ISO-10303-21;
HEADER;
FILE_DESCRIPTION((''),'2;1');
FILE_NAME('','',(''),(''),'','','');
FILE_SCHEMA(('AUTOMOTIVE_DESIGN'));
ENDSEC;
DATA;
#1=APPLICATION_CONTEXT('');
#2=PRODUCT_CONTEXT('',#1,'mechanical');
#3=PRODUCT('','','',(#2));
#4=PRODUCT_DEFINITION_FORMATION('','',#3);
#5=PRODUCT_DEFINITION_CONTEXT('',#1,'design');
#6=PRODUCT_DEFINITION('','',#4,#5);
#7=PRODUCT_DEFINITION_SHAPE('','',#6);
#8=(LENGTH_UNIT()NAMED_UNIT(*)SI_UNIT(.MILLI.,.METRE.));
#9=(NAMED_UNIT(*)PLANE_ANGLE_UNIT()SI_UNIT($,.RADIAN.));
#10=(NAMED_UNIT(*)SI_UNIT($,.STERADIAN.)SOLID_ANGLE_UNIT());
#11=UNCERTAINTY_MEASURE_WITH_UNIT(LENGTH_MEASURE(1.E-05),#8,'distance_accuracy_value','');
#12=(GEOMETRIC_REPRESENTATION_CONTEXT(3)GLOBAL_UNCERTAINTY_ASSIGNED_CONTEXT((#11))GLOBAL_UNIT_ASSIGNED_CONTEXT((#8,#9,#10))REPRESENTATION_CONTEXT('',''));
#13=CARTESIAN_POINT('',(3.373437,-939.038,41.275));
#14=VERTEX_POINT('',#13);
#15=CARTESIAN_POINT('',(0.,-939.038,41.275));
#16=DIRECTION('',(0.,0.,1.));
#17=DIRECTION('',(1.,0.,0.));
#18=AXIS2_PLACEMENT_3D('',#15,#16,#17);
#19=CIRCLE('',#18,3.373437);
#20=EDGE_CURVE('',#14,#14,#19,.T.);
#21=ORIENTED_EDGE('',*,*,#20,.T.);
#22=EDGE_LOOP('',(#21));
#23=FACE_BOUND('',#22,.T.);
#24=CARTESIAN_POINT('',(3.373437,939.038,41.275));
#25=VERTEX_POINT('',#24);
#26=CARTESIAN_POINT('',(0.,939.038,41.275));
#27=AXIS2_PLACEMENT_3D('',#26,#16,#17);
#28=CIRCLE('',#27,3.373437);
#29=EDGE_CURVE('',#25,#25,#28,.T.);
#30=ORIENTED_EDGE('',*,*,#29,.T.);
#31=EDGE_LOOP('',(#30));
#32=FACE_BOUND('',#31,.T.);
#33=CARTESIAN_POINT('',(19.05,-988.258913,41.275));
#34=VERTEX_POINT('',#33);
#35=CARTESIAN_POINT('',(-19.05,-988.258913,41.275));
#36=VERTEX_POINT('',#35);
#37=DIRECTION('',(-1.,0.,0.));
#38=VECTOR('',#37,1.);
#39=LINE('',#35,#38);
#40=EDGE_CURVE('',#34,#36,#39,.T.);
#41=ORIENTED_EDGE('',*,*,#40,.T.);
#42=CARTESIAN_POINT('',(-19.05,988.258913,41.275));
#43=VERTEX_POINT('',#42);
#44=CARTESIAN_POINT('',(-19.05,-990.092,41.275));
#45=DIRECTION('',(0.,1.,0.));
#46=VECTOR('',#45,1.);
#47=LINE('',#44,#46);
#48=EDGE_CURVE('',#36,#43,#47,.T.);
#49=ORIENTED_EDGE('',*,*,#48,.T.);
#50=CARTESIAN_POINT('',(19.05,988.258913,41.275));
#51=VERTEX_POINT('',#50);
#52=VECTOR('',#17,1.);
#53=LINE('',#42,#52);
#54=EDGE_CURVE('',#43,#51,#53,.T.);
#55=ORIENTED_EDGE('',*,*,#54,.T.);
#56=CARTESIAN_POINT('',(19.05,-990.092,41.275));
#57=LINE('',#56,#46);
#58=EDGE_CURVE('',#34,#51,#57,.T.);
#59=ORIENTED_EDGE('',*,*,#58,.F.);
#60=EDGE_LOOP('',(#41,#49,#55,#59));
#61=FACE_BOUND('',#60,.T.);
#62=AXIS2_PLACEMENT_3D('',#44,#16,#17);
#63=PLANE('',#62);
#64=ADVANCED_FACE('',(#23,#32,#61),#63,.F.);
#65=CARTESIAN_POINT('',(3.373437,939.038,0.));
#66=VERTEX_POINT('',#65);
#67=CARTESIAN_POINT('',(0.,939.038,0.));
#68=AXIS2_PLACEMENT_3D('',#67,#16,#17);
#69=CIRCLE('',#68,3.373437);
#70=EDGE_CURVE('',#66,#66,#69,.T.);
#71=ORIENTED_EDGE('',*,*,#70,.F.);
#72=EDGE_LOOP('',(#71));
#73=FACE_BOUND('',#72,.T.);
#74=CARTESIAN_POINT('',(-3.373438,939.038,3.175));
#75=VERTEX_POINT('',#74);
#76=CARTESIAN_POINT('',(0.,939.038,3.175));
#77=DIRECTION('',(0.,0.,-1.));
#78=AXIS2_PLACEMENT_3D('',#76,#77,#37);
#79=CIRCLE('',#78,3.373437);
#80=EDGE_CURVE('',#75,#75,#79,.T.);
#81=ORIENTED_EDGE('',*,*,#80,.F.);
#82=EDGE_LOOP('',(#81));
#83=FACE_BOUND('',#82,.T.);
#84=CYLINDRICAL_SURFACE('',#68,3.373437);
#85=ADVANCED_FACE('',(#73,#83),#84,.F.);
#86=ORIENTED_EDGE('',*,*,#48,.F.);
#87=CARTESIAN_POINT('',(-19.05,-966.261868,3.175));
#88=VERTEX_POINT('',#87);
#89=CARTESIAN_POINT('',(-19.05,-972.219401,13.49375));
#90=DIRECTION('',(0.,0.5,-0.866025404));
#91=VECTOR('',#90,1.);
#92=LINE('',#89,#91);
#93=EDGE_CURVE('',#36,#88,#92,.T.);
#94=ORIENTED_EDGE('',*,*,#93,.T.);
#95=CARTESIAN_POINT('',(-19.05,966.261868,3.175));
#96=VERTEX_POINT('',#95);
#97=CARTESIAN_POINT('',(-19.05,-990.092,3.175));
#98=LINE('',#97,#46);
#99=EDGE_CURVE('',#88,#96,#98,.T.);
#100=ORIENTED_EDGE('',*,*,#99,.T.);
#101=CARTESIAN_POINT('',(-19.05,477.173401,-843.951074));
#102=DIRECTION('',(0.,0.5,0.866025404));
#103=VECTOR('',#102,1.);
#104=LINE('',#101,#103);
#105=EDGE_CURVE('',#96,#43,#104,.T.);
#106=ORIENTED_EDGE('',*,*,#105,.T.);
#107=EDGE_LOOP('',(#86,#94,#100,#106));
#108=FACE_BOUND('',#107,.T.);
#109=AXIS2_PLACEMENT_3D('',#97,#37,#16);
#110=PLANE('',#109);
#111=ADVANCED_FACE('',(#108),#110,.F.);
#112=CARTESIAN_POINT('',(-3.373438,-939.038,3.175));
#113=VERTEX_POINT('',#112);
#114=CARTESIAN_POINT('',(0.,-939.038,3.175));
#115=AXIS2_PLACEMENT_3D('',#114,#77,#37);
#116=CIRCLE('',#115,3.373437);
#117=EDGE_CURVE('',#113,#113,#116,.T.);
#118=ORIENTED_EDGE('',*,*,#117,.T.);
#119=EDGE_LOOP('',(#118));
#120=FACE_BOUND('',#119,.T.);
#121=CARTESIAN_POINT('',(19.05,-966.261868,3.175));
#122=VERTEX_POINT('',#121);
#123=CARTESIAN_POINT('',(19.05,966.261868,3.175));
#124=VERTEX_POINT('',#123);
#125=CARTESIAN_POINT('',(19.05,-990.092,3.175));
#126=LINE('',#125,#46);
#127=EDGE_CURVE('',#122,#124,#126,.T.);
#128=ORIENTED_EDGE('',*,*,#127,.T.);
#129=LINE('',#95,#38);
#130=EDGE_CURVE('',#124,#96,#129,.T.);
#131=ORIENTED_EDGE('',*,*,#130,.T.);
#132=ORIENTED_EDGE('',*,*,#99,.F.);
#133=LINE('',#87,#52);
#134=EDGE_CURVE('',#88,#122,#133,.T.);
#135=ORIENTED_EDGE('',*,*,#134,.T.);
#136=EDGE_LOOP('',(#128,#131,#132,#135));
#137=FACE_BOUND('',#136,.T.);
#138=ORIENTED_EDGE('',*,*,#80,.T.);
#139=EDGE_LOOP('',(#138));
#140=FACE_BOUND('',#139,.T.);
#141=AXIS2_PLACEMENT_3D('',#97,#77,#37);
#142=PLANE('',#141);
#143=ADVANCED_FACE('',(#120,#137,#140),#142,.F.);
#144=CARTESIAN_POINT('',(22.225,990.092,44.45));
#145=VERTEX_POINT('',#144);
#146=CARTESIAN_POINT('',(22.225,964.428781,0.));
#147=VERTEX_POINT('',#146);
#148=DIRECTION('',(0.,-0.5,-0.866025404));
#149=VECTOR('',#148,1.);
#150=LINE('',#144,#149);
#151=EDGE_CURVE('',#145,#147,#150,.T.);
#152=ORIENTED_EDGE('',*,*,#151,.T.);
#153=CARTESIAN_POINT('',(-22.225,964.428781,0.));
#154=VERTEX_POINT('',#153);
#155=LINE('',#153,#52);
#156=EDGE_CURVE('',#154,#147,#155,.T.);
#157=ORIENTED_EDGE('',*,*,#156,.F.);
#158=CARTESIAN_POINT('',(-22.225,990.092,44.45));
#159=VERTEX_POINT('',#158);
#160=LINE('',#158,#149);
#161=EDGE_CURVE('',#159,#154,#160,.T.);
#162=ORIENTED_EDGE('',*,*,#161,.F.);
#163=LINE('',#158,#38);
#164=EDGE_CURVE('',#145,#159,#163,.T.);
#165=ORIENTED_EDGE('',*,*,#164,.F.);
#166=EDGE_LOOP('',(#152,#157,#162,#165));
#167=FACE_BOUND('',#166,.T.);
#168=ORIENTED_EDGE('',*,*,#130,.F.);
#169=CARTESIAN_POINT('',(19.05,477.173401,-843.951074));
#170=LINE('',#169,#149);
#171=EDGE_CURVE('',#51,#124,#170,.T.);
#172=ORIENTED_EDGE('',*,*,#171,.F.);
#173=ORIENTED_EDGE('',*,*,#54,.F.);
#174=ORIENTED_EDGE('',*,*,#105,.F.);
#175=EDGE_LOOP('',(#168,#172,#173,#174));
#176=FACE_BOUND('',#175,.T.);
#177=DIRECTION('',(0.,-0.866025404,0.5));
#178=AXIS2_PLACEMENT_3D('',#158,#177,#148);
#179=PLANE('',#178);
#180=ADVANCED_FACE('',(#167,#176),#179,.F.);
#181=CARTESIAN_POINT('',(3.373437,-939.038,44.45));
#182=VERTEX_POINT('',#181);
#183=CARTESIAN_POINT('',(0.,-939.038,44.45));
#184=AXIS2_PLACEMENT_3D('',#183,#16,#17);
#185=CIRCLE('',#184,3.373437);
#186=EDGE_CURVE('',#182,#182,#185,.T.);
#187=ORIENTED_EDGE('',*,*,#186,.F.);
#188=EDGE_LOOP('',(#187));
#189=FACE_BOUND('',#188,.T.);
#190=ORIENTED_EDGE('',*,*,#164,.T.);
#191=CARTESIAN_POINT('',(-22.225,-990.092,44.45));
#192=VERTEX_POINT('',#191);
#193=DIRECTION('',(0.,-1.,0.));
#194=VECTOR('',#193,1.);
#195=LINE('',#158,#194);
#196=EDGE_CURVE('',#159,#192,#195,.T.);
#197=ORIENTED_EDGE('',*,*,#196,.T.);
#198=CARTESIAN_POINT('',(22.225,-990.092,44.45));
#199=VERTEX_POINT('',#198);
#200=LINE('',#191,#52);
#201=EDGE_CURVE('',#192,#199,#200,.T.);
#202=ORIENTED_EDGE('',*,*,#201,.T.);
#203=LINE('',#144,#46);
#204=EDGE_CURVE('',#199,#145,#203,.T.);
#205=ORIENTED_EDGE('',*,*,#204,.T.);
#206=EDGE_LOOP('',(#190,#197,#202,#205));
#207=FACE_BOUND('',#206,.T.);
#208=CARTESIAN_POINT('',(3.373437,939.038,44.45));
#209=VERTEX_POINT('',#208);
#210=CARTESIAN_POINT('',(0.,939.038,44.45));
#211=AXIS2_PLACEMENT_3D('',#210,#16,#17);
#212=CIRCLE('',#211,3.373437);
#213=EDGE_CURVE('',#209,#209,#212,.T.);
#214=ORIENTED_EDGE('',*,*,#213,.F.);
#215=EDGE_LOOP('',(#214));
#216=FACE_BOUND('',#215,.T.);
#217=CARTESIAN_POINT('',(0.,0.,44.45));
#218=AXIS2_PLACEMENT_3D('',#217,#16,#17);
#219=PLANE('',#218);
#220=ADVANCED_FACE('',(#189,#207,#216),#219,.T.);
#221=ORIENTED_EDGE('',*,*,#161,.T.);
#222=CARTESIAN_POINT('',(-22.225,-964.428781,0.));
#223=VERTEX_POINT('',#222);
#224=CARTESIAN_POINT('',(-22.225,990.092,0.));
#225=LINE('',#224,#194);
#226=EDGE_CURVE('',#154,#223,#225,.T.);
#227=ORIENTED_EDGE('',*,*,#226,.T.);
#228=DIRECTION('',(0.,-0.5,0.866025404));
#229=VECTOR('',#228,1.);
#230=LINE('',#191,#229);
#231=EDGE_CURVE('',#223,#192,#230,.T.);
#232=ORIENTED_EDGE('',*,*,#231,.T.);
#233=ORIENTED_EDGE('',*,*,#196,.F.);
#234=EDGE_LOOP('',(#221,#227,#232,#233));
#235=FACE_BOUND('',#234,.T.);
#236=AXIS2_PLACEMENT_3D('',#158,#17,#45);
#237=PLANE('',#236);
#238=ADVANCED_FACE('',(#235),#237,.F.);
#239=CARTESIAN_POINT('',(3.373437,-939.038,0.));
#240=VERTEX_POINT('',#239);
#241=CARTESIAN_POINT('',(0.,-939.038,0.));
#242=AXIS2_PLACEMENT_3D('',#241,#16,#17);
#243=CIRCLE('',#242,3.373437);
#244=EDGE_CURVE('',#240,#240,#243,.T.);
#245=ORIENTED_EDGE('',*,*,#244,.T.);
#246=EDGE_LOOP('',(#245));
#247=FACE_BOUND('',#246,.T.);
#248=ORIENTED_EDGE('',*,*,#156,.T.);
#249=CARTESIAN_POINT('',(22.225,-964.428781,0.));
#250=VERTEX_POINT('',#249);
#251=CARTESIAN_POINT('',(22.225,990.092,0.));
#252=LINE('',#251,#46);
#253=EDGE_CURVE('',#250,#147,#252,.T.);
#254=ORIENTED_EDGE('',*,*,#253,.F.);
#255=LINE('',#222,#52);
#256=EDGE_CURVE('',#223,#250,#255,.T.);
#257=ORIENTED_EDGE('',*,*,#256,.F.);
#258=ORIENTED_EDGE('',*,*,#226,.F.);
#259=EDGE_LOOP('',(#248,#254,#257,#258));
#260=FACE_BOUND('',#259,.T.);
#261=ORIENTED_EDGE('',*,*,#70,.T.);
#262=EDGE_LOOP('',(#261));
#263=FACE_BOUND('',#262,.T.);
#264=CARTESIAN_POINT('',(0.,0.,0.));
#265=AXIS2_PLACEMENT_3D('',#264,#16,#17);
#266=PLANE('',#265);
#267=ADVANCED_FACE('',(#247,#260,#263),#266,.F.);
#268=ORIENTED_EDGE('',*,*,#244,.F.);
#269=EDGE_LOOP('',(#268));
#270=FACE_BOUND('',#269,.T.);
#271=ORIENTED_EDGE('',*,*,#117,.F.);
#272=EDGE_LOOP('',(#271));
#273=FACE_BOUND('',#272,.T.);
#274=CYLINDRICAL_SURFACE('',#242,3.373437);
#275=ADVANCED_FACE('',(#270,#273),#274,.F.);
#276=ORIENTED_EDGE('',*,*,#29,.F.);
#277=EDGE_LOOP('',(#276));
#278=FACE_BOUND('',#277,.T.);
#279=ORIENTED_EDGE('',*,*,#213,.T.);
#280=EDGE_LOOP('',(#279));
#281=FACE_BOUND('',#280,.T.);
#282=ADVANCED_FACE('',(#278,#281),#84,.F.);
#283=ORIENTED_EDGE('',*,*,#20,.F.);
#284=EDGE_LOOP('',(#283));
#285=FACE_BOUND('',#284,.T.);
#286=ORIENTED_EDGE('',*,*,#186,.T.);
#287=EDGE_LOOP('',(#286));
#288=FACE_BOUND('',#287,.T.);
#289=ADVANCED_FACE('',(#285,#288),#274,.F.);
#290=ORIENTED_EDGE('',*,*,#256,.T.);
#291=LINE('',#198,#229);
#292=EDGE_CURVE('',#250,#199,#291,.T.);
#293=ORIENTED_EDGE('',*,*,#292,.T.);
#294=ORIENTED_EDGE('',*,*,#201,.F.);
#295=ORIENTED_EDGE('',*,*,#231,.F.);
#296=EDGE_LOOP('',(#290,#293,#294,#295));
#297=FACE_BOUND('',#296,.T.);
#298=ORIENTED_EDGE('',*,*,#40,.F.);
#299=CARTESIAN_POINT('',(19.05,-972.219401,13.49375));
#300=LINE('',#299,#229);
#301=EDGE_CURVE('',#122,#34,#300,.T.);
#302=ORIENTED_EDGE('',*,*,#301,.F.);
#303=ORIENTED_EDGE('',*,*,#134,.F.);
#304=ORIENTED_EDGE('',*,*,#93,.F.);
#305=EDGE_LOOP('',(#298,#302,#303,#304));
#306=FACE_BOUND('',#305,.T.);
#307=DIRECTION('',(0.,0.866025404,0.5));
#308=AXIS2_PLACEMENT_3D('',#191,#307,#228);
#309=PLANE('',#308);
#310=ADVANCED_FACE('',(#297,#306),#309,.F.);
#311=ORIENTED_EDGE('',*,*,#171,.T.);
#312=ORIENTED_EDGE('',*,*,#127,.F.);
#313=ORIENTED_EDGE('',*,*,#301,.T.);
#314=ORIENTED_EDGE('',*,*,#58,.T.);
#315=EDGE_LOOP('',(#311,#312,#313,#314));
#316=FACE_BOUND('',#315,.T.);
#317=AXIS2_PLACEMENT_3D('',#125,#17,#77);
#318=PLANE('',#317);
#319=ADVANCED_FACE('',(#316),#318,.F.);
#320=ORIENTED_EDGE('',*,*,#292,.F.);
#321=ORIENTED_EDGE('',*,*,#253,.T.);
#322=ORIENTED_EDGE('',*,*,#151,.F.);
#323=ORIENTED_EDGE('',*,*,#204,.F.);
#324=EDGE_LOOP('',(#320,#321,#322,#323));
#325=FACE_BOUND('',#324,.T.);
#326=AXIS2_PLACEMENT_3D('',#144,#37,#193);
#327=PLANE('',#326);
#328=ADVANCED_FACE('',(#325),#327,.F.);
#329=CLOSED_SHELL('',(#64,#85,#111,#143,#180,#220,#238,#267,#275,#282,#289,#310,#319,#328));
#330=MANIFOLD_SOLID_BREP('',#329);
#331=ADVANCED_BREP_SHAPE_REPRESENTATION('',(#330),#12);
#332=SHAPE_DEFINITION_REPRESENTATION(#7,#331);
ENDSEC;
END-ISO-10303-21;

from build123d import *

# Parameters (mm, degrees)
SKETCH1_W           = 44.45
SKETCH1_H           = 1980.184
BOSS_EXTRUDE1_DEPTH = 44.45
SKETCH2_W           = 38.1
SKETCH2_H           = 38.1
CUT_EXTRUDE1_DEPTH  = 1981.807518913
CUT_EXTRUDE2_DEPTH  = 993.085567612
SKETCH13_R          = 3.3734375
CUT_EXTRUDE7_DEPTH  = 992.338449567


with BuildPart() as part:
    # Sketch1 → Boss-Extrude1 (new body)
    with BuildSketch(Plane.XY):
        Rectangle(SKETCH1_W, SKETCH1_H)
    extrude(amount=BOSS_EXTRUDE1_DEPTH)

    # Sketch2 → Cut-Extrude1 (cut, through all)
    with BuildSketch(Plane(origin=(0, 990.092, 0), x_dir=(1, 0, 0), z_dir=(0, 1, 0))):
        with Locations((0, -22.225)):
            Rectangle(SKETCH2_W, SKETCH2_H)
    extrude(amount=-CUT_EXTRUDE1_DEPTH, mode=Mode.SUBTRACT)

    # Sketch3 → Cut-Extrude2 (cut, through all)
    with BuildSketch(Plane(origin=(22.225, 0, 0), x_dir=(0, 0, -1), z_dir=(1, 0, 0))):
        Polygon((-44.45, 990.092), (0, 964.428780535), (0, 990.092), align=None)
        Polygon((-44.45, -990.092), (0, -964.428780535), (0, -990.092), align=None)
    extrude(amount=-CUT_EXTRUDE2_DEPTH, mode=Mode.SUBTRACT)

    # Sketch13 → Cut-Extrude7 (cut, through all)
    with BuildSketch(Plane.XY.offset(44.45)):
        with Locations((0, 939.038)):
            Circle(SKETCH13_R)
        with Locations((0, -939.038)):
            Circle(SKETCH13_R)
    extrude(amount=-CUT_EXTRUDE7_DEPTH, mode=Mode.SUBTRACT)


solid = part.part
